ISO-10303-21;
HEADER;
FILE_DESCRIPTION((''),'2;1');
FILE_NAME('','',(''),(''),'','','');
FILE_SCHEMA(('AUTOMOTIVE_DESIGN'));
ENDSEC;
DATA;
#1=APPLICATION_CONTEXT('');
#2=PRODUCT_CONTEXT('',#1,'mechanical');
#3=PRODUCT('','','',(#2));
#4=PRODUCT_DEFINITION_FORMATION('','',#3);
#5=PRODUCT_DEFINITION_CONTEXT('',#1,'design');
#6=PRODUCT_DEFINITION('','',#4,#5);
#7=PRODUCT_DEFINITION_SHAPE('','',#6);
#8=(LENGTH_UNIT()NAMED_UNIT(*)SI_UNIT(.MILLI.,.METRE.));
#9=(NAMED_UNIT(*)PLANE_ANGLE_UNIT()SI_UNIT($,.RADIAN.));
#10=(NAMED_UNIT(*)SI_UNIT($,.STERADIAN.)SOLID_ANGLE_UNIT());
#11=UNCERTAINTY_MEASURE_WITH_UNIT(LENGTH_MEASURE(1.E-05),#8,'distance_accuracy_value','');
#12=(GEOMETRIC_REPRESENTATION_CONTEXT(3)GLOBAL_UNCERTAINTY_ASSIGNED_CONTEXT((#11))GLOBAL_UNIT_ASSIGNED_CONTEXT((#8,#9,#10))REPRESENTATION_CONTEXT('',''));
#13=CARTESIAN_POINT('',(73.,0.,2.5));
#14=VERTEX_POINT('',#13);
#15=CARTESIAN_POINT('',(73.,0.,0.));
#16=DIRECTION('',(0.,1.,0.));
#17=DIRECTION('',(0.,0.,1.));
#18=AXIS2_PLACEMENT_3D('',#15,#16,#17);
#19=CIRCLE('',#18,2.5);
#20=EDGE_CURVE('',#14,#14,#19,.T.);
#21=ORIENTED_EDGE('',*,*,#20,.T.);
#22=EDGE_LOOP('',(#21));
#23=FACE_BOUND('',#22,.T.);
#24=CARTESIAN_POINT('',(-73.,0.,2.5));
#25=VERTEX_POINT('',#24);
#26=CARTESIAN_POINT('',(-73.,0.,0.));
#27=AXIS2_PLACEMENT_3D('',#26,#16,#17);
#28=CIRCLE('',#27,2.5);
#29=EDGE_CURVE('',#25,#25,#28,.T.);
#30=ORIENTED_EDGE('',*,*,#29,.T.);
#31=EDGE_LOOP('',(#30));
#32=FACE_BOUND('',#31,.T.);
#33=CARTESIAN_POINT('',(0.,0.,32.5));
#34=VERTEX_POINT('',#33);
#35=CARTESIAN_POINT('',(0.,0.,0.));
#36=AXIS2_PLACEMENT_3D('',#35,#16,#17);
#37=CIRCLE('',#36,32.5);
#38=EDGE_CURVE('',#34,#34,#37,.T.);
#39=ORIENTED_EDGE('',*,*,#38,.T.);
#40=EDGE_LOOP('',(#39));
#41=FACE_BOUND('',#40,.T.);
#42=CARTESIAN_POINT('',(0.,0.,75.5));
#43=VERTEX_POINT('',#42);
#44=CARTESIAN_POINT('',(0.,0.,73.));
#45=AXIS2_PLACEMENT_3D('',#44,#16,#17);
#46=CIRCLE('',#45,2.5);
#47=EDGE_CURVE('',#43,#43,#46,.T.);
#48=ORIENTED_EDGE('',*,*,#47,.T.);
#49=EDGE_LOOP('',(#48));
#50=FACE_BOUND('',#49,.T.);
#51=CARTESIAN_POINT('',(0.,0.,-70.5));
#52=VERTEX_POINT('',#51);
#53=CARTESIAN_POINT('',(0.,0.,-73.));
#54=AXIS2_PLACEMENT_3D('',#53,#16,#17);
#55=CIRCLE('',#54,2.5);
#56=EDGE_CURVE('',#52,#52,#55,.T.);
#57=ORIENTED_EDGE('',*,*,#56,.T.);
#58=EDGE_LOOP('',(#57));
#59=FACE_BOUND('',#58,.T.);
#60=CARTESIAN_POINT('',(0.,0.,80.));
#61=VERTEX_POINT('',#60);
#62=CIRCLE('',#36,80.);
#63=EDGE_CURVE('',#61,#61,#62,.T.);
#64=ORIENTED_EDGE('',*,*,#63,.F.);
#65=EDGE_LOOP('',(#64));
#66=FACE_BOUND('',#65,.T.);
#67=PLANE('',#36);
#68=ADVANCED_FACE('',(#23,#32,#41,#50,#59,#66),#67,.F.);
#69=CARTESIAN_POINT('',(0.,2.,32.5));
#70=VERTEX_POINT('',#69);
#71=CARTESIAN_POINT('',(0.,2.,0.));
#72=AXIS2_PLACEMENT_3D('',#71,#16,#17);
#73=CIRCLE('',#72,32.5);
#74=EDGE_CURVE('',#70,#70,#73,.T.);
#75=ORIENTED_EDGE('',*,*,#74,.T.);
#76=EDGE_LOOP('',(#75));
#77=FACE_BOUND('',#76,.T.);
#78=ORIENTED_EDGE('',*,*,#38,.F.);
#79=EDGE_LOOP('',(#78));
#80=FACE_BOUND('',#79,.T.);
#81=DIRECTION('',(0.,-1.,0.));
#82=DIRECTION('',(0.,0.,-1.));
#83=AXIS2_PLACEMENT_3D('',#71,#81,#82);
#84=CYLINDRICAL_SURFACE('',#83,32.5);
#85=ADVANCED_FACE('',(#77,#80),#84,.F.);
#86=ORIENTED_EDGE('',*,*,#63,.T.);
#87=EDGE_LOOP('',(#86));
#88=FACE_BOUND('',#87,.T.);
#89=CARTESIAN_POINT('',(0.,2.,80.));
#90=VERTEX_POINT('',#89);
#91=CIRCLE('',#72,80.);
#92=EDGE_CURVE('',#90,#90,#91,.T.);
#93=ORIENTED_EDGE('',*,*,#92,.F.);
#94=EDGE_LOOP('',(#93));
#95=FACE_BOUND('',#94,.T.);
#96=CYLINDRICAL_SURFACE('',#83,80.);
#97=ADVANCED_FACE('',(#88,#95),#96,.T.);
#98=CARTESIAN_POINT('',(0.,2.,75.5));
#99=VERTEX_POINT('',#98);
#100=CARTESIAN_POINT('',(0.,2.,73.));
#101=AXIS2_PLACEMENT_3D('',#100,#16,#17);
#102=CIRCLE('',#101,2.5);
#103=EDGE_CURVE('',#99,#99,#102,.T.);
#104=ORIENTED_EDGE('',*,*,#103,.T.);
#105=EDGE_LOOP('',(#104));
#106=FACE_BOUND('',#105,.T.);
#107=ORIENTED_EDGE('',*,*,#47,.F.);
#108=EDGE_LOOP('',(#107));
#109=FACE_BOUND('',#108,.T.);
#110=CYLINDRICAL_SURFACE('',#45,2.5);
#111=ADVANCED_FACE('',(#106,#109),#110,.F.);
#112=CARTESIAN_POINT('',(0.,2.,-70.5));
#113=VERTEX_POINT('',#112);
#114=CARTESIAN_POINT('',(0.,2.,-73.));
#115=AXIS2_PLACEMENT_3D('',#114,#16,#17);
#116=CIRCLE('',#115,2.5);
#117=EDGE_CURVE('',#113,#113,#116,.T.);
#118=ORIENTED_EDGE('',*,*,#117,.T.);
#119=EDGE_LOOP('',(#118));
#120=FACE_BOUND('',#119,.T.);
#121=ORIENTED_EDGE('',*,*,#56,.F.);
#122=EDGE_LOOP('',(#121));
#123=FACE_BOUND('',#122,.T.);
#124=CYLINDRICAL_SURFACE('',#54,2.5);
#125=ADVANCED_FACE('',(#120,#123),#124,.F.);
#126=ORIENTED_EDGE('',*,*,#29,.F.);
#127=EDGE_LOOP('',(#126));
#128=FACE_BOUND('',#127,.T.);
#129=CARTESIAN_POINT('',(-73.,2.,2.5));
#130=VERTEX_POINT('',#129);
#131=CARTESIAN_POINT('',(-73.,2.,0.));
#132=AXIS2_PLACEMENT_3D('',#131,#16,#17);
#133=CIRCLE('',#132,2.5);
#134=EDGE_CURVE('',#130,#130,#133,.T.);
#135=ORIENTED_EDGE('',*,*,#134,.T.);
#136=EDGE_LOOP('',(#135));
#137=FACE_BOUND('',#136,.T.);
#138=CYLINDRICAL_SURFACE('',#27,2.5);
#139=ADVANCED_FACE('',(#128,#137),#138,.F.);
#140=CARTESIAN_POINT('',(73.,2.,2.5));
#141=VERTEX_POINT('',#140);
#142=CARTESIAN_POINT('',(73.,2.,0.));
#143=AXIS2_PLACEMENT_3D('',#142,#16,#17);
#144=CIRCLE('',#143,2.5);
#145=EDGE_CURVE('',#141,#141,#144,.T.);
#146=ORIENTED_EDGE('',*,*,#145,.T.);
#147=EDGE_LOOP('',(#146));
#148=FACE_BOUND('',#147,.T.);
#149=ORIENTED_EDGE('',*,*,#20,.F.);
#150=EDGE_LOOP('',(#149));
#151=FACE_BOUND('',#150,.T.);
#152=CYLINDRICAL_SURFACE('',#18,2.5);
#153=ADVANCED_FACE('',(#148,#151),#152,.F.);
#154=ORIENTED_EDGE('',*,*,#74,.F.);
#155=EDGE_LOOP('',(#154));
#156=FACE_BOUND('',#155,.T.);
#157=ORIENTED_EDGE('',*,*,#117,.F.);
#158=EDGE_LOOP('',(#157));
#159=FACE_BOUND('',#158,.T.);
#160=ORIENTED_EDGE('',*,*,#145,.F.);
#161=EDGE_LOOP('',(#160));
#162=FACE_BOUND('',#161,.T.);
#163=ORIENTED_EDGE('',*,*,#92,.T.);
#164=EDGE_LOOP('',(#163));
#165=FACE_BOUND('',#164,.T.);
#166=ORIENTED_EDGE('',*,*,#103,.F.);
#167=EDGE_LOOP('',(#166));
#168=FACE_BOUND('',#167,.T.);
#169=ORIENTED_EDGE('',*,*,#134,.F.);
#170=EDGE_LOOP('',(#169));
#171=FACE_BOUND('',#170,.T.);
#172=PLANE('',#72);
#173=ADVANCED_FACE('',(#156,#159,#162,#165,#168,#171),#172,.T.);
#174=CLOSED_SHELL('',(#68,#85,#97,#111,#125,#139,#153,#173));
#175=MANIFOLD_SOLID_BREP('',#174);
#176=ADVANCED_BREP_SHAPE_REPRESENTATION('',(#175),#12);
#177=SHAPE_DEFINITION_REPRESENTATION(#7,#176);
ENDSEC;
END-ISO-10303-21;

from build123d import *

# Parameters (mm, degrees)
SKETCH1_R           = 80
SKETCH1_R_2         = 32.5
BOSS_EXTRUDE1_DEPTH = 2
SKETCH2_R           = 2.5
CUT_EXTRUDE1_DEPTH  = 114.154761279


with BuildPart() as part:
    # Sketch1 → Boss-Extrude1 (new body)
    with BuildSketch(Plane(origin=(0, 0, 0), x_dir=(1, 0, 0), z_dir=(0, 1, 0))):
        with Locations(Location((0, 0, 0), (0, 0, 270))):
            Circle(SKETCH1_R)
        with Locations(Location((0, 0, 0), (0, 0, 270))):
            Circle(SKETCH1_R_2, mode=Mode.SUBTRACT)
    extrude(amount=BOSS_EXTRUDE1_DEPTH)

    # Sketch2 → Cut-Extrude1 (cut, through all)
    with BuildSketch(Plane(origin=(0, 2, 0), x_dir=(1, 0, 0), z_dir=(0, 1, 0))):
        with Locations(Location((0, 73, 0), (0, 0, 270))):
            Circle(SKETCH2_R)
        with Locations(Location((73, 0, 0), (0, 0, 270))):
            Circle(SKETCH2_R)
        with Locations(Location((0, -73, 0), (0, 0, 270))):
            Circle(SKETCH2_R)
        with Locations(Location((-73, 0, 0), (0, 0, 270))):
            Circle(SKETCH2_R)
    extrude(amount=-CUT_EXTRUDE1_DEPTH, mode=Mode.SUBTRACT)


solid = part.part
